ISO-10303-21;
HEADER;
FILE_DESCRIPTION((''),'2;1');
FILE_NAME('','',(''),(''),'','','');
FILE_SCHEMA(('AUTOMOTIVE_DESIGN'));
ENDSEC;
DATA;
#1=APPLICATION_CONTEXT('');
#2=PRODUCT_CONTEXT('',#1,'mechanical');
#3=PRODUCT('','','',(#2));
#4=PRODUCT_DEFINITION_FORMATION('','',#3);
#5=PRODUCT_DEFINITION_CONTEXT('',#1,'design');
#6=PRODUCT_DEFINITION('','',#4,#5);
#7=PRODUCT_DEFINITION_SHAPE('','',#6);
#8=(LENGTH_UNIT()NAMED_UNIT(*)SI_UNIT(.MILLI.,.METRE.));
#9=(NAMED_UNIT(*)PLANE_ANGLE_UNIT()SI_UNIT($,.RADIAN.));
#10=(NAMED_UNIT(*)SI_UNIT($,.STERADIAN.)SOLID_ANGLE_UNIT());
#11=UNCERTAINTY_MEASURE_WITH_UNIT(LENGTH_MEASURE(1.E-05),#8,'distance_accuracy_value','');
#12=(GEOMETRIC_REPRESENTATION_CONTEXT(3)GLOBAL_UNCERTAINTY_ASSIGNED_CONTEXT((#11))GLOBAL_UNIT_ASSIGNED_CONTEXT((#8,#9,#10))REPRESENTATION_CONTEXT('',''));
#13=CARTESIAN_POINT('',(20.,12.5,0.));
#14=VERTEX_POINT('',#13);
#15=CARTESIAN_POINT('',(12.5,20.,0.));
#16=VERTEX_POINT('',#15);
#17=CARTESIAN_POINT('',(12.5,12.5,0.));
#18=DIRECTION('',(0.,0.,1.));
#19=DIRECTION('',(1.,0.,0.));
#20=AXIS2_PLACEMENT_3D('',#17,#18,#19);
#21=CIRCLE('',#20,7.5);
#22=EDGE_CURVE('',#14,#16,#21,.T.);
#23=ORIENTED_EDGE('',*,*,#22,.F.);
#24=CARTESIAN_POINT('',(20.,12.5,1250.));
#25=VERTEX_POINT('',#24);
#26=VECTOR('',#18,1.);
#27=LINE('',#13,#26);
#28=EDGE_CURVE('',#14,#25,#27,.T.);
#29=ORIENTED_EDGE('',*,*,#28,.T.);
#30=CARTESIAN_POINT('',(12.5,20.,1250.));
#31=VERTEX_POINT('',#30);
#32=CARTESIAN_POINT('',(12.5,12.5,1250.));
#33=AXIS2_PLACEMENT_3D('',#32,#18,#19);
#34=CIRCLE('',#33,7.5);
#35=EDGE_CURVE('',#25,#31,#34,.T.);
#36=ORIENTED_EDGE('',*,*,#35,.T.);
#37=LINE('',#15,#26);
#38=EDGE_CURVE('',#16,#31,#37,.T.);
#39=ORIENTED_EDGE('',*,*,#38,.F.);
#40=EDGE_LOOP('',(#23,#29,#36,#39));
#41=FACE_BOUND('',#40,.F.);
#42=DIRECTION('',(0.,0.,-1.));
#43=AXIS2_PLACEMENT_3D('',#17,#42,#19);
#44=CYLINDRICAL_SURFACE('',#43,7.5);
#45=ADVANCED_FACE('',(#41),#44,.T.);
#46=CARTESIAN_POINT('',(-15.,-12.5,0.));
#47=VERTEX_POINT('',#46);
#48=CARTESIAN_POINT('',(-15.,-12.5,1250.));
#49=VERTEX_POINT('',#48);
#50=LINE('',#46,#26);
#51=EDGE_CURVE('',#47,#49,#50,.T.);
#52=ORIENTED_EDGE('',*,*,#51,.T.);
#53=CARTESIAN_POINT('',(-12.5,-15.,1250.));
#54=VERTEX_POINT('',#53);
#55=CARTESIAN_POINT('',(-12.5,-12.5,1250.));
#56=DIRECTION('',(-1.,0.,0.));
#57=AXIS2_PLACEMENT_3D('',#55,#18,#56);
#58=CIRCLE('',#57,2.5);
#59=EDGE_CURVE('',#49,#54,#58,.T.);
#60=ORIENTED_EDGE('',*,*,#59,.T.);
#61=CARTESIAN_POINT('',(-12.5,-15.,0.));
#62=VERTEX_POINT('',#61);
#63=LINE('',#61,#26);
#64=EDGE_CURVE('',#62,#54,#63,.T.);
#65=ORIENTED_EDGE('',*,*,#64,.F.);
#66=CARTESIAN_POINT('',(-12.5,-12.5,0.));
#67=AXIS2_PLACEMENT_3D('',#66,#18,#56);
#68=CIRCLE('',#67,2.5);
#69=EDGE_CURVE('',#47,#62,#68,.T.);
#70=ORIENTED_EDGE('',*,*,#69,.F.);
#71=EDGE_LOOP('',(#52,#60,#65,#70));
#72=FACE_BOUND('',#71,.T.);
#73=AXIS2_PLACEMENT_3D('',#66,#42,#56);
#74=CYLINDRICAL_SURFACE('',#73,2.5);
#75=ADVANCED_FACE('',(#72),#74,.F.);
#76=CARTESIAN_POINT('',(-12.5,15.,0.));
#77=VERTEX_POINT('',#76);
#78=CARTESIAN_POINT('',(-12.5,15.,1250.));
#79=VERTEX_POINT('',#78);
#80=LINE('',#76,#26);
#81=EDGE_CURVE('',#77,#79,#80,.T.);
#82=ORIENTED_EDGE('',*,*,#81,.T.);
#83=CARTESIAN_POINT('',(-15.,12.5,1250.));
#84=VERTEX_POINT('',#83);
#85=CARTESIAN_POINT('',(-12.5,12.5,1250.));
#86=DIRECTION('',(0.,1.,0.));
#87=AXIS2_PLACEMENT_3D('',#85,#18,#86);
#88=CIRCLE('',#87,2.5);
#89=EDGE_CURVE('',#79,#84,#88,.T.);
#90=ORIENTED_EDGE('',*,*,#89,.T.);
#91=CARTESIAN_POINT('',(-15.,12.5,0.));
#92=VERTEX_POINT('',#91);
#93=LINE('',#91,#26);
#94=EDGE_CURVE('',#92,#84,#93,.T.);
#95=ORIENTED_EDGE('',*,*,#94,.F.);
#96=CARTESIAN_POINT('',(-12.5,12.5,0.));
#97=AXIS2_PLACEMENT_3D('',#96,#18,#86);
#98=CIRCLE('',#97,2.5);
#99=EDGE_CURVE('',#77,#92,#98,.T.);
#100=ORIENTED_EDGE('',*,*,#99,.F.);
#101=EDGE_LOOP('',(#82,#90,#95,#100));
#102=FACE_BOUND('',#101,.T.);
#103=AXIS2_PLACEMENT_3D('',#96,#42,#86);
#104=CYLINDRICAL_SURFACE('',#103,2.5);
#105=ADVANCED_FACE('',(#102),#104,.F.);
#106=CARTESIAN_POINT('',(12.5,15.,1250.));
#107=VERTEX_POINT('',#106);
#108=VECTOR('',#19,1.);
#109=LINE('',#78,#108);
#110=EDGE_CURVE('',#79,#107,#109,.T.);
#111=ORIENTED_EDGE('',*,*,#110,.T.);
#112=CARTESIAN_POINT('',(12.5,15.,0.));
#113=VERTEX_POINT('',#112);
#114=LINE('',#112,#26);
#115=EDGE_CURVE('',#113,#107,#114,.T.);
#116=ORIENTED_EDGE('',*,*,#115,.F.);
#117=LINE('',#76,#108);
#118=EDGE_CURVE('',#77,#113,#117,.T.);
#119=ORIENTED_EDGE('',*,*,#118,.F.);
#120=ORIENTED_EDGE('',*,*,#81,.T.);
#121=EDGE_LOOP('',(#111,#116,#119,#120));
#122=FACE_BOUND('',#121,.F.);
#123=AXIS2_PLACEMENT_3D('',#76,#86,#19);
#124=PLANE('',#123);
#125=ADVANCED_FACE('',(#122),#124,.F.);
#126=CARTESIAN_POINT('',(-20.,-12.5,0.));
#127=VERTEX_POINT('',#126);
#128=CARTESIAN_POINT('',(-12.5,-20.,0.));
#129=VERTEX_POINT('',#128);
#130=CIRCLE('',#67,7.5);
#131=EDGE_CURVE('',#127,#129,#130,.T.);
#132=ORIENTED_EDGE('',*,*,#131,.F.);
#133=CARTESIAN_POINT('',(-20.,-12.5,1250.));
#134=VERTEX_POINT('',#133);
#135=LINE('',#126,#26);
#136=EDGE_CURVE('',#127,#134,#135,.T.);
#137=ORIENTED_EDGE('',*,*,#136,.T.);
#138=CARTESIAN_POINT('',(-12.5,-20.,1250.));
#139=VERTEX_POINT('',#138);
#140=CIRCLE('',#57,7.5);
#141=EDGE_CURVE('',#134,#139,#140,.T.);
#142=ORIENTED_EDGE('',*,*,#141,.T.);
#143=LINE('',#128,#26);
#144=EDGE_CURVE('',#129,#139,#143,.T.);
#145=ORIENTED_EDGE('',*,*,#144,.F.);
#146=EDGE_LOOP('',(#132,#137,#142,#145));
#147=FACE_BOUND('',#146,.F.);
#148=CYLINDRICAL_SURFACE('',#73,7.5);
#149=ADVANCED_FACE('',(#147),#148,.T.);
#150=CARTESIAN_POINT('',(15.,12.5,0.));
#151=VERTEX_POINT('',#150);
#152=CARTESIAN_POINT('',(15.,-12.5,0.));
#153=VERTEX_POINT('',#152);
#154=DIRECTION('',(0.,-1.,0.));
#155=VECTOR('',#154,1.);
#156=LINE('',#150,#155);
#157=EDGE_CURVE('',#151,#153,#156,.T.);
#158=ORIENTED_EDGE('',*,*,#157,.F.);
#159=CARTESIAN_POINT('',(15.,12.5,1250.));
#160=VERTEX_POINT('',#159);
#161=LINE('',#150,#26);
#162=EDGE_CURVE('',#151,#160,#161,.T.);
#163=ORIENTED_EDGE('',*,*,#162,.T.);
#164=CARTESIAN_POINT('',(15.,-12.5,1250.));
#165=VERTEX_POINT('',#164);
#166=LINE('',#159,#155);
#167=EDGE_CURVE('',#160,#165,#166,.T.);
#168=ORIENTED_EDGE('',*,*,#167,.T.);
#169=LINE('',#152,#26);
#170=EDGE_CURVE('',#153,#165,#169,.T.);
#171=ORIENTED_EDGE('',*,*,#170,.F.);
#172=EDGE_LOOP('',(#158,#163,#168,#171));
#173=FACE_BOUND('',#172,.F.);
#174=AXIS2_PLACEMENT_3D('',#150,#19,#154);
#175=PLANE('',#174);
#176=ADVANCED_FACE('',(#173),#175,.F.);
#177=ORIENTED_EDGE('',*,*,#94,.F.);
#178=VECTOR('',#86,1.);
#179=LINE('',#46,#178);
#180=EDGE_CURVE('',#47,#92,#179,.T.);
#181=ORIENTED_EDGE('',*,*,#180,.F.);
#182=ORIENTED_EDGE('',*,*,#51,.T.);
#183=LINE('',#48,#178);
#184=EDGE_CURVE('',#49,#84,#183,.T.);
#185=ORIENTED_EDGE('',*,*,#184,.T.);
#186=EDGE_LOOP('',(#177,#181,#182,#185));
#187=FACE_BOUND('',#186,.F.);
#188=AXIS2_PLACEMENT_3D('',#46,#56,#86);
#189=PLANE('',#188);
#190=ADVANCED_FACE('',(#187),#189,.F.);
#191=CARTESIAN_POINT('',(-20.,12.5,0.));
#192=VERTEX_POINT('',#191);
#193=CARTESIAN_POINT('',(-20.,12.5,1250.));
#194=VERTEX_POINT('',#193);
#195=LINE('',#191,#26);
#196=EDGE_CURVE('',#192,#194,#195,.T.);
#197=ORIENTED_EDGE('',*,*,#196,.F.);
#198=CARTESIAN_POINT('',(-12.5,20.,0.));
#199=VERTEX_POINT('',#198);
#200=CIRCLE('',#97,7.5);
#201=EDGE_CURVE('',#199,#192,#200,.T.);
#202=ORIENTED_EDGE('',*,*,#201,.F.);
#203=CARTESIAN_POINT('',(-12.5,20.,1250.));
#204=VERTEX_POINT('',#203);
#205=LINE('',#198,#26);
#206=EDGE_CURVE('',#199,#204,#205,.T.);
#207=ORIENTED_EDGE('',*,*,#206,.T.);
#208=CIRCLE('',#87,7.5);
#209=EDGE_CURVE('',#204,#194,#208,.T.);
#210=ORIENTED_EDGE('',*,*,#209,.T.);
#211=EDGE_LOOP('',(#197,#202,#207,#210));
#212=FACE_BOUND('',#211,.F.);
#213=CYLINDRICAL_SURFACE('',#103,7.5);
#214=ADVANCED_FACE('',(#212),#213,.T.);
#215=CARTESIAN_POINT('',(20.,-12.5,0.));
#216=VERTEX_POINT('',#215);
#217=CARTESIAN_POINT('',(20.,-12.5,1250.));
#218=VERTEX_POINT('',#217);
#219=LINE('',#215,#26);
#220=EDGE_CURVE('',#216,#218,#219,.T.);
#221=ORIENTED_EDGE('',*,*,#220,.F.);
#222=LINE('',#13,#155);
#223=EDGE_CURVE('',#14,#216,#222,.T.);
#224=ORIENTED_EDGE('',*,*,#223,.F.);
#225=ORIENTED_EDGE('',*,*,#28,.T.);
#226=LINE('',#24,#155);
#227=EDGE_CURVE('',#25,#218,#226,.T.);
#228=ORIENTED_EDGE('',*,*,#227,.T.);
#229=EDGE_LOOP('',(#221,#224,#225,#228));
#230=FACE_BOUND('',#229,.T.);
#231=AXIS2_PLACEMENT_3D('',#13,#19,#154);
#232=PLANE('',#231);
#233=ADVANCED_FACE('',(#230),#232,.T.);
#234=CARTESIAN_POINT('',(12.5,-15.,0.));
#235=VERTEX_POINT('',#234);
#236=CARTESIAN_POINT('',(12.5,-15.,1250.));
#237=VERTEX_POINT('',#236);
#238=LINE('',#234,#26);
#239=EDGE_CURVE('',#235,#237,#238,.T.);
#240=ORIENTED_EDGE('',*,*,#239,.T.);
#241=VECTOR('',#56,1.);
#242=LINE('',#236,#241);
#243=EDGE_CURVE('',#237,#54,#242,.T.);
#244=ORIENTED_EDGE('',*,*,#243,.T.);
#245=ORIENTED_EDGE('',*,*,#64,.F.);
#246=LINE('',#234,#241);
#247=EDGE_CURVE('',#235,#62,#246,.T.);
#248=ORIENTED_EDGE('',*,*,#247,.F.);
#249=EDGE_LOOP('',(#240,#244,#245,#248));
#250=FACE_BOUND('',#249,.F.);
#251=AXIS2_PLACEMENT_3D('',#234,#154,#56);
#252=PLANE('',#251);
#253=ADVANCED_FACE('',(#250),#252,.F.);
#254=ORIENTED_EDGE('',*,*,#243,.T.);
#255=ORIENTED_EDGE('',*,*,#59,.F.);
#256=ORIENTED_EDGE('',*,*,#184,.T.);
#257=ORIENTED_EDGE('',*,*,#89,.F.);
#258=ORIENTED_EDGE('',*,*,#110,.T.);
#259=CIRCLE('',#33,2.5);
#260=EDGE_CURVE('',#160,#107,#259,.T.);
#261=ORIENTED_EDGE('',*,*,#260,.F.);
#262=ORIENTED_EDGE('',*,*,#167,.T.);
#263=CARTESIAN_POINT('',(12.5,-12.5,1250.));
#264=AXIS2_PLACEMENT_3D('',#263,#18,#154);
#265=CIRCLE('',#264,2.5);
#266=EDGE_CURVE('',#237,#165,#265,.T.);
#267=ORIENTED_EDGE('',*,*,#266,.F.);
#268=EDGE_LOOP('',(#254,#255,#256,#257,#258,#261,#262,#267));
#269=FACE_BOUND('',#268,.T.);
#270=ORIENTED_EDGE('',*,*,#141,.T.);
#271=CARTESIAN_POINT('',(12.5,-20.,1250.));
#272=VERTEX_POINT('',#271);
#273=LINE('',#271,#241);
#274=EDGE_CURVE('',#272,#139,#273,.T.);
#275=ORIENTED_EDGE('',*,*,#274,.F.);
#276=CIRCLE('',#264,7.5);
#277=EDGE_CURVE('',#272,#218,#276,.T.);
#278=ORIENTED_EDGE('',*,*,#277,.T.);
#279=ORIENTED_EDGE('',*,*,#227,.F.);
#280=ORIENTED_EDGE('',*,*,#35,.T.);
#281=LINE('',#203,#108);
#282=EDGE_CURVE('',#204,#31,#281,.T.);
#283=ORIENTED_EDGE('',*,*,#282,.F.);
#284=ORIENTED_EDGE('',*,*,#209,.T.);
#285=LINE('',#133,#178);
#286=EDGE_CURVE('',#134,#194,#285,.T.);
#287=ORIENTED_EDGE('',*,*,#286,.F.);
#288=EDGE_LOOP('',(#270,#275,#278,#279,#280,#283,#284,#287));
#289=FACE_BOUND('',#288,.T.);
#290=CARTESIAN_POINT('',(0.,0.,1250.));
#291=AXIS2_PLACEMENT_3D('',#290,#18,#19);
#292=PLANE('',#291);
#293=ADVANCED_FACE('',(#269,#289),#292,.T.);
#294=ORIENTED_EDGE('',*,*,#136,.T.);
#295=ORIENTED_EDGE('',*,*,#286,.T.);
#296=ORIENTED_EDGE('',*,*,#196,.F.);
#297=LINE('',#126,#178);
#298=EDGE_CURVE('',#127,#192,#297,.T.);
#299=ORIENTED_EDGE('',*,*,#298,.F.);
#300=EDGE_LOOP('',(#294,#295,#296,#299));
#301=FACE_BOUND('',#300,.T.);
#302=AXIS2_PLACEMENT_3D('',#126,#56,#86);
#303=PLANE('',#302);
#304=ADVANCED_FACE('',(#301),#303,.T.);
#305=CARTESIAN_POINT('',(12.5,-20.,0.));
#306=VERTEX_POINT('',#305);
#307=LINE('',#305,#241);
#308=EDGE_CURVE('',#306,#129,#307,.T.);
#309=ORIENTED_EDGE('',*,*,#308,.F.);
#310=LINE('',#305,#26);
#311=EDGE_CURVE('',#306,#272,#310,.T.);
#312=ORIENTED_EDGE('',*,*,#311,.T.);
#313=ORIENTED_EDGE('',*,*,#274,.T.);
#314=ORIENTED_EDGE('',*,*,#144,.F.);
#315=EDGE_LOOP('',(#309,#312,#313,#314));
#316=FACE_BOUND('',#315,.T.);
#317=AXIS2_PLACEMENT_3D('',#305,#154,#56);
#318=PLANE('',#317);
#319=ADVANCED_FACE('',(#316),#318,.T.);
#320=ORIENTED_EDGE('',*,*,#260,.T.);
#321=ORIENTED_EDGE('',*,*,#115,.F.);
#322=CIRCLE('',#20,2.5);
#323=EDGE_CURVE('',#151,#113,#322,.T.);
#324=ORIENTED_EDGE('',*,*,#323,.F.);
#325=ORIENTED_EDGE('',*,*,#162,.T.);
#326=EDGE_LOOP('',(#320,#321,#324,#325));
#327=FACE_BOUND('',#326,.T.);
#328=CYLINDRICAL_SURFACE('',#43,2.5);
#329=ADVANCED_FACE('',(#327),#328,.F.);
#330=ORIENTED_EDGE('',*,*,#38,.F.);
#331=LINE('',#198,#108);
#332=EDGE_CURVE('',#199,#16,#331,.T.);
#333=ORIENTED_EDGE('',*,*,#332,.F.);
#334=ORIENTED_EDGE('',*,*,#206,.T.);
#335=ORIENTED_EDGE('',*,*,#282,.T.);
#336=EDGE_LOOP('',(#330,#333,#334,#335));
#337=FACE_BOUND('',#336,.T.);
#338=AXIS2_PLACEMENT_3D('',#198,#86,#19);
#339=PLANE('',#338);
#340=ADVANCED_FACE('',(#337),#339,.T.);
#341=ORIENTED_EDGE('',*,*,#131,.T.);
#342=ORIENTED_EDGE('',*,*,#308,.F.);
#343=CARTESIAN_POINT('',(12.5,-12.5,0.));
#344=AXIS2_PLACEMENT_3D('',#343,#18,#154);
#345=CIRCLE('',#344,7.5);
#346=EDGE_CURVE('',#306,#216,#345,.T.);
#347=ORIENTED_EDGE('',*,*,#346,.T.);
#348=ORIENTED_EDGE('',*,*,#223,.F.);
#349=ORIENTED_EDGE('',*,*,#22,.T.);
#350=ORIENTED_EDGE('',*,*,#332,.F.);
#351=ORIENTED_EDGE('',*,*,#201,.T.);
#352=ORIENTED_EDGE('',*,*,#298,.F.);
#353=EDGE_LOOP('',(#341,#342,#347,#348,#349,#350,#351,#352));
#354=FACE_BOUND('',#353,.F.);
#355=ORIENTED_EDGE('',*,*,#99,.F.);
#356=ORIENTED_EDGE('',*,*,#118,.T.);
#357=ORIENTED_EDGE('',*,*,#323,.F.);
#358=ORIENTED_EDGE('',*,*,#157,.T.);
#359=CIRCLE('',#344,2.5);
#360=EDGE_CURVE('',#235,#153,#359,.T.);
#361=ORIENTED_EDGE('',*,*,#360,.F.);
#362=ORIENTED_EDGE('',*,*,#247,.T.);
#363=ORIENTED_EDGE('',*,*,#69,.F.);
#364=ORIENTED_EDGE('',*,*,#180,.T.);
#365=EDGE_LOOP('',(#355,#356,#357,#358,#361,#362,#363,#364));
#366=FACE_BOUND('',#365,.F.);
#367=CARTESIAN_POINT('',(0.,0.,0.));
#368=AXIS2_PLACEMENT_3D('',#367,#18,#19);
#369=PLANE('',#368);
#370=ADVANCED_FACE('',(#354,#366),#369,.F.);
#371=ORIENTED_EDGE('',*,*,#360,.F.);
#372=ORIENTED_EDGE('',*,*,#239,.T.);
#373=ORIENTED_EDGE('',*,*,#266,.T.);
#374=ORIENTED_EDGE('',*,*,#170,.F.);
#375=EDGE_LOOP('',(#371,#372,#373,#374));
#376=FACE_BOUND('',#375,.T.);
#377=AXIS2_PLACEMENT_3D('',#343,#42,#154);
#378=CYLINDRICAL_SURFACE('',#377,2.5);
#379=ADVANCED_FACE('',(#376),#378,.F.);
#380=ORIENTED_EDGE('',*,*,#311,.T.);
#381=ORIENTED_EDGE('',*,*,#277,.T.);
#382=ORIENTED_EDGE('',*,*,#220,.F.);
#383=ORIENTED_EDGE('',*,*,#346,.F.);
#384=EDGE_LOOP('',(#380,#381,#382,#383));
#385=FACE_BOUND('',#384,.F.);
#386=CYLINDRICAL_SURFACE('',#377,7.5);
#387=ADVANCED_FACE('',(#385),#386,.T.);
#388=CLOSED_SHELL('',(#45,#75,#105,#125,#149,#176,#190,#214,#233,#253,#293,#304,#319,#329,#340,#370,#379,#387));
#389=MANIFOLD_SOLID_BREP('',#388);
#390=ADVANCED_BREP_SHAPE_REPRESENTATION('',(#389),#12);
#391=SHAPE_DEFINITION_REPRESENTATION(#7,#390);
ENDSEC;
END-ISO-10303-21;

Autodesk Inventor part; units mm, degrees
ref_plane "YZ Plane" through (0, 0, 0) normal (1, 0, 0) x (0, 1, 0)
ref_plane "Start plane" through (0, 0, 0) normal (0, 0, 1) x (1, 0, 0)
ref_plane "End plane" through (0, 0, 1250) normal (0, 0, 1) x (1, 0, 0)
sketch "Sketch" plane through (0, 0, 0) normal (0, 0, 1) x (1, 0, 0)
  line L0 (-20, -12.5) -> (-20, 12.5)
  line L1 (-12.5, 20) -> (12.5, 20)
  line L2 (20, 12.5) -> (20, -12.5)
  line L3 (12.5, -20) -> (-12.5, -20)
  arc A0 (-20, -12.5) -> (-12.5, -20) centre (-12.5, -12.5) ccw
  arc A1 (-12.5, 20) -> (-20, 12.5) centre (-12.5, 12.5) ccw
  arc A2 (20, 12.5) -> (12.5, 20) centre (12.5, 12.5) ccw
  arc A3 (12.5, -20) -> (20, -12.5) centre (12.5, -12.5) ccw
  arc A4 (-12.5, 15) -> (-15, 12.5) centre (-12.5, 12.5) ccw
  line L4 (-12.5, 15) -> (12.5, 15)
  arc A5 (15, 12.5) -> (12.5, 15) centre (12.5, 12.5) ccw
  line L5 (15, 12.5) -> (15, -12.5)
  arc A6 (12.5, -15) -> (15, -12.5) centre (12.5, -12.5) ccw
  line L6 (12.5, -15) -> (-12.5, -15)
  arc A7 (-15, -12.5) -> (-12.5, -15) centre (-12.5, -12.5) ccw
  line L7 (-15, -12.5) -> (-15, 12.5)
  line L8 (0, 37.1746) -> (0, -37.1746) construction
  line L9 (-37.1746, 0) -> (37.1746, 0) construction
  dimension "d7" = 7.5
  dimension "d10" = 40
  dimension "d11" = 40
  dimension "d12" = 5
  dimension "d15" = 20
  dimension "d16" = 20
extrude "Body" add sketch "Sketch" along normal up to surface (1250 mm away) from surface at 0
sketch "Sketch3" plane through (0, 0, 0) normal (0, 0, 1) x (1, 0, 0)
  line L0 (0, 0) -> (10, 0)
ref_plane "Work Plane3" through (0, 0, 0) normal (0, -1, 0) x (1, 0, 0)
sketch "Sketch4" plane through (0, 0, 0) normal (0, -1, 0) x (1, 0, 0)
  line L0 (-2, 0) -> (12, 0)
  line L1 (-2, 1250) -> (12, 1250)
  dimension "d18" = 1250
equation "\"d7\" = G_IR"
equation "\"d10\" = G_H"
equation "\"d11\" = G_W"
equation "\"d12\" = G_T"
equation "\"d15\" = 0.5 * d10"
equation "\"d16\" = 0.5 * d11"
equation "\"d3\" = G_L"
equation "\"G_W\" = 40"
equation "\"G_H\" = 40"
equation "\"G_T\" = 5"
equation "\"G_IR\" = 7.5"
equation "\"G_L\" = d18"
equation "\"G_OFFSET_START\" = 0"
equation "\"G_OFFSET_END\" = 0"
properties part number "ISO 12633-2 40x40x5 1744272886180" material "Steel, Mild"
